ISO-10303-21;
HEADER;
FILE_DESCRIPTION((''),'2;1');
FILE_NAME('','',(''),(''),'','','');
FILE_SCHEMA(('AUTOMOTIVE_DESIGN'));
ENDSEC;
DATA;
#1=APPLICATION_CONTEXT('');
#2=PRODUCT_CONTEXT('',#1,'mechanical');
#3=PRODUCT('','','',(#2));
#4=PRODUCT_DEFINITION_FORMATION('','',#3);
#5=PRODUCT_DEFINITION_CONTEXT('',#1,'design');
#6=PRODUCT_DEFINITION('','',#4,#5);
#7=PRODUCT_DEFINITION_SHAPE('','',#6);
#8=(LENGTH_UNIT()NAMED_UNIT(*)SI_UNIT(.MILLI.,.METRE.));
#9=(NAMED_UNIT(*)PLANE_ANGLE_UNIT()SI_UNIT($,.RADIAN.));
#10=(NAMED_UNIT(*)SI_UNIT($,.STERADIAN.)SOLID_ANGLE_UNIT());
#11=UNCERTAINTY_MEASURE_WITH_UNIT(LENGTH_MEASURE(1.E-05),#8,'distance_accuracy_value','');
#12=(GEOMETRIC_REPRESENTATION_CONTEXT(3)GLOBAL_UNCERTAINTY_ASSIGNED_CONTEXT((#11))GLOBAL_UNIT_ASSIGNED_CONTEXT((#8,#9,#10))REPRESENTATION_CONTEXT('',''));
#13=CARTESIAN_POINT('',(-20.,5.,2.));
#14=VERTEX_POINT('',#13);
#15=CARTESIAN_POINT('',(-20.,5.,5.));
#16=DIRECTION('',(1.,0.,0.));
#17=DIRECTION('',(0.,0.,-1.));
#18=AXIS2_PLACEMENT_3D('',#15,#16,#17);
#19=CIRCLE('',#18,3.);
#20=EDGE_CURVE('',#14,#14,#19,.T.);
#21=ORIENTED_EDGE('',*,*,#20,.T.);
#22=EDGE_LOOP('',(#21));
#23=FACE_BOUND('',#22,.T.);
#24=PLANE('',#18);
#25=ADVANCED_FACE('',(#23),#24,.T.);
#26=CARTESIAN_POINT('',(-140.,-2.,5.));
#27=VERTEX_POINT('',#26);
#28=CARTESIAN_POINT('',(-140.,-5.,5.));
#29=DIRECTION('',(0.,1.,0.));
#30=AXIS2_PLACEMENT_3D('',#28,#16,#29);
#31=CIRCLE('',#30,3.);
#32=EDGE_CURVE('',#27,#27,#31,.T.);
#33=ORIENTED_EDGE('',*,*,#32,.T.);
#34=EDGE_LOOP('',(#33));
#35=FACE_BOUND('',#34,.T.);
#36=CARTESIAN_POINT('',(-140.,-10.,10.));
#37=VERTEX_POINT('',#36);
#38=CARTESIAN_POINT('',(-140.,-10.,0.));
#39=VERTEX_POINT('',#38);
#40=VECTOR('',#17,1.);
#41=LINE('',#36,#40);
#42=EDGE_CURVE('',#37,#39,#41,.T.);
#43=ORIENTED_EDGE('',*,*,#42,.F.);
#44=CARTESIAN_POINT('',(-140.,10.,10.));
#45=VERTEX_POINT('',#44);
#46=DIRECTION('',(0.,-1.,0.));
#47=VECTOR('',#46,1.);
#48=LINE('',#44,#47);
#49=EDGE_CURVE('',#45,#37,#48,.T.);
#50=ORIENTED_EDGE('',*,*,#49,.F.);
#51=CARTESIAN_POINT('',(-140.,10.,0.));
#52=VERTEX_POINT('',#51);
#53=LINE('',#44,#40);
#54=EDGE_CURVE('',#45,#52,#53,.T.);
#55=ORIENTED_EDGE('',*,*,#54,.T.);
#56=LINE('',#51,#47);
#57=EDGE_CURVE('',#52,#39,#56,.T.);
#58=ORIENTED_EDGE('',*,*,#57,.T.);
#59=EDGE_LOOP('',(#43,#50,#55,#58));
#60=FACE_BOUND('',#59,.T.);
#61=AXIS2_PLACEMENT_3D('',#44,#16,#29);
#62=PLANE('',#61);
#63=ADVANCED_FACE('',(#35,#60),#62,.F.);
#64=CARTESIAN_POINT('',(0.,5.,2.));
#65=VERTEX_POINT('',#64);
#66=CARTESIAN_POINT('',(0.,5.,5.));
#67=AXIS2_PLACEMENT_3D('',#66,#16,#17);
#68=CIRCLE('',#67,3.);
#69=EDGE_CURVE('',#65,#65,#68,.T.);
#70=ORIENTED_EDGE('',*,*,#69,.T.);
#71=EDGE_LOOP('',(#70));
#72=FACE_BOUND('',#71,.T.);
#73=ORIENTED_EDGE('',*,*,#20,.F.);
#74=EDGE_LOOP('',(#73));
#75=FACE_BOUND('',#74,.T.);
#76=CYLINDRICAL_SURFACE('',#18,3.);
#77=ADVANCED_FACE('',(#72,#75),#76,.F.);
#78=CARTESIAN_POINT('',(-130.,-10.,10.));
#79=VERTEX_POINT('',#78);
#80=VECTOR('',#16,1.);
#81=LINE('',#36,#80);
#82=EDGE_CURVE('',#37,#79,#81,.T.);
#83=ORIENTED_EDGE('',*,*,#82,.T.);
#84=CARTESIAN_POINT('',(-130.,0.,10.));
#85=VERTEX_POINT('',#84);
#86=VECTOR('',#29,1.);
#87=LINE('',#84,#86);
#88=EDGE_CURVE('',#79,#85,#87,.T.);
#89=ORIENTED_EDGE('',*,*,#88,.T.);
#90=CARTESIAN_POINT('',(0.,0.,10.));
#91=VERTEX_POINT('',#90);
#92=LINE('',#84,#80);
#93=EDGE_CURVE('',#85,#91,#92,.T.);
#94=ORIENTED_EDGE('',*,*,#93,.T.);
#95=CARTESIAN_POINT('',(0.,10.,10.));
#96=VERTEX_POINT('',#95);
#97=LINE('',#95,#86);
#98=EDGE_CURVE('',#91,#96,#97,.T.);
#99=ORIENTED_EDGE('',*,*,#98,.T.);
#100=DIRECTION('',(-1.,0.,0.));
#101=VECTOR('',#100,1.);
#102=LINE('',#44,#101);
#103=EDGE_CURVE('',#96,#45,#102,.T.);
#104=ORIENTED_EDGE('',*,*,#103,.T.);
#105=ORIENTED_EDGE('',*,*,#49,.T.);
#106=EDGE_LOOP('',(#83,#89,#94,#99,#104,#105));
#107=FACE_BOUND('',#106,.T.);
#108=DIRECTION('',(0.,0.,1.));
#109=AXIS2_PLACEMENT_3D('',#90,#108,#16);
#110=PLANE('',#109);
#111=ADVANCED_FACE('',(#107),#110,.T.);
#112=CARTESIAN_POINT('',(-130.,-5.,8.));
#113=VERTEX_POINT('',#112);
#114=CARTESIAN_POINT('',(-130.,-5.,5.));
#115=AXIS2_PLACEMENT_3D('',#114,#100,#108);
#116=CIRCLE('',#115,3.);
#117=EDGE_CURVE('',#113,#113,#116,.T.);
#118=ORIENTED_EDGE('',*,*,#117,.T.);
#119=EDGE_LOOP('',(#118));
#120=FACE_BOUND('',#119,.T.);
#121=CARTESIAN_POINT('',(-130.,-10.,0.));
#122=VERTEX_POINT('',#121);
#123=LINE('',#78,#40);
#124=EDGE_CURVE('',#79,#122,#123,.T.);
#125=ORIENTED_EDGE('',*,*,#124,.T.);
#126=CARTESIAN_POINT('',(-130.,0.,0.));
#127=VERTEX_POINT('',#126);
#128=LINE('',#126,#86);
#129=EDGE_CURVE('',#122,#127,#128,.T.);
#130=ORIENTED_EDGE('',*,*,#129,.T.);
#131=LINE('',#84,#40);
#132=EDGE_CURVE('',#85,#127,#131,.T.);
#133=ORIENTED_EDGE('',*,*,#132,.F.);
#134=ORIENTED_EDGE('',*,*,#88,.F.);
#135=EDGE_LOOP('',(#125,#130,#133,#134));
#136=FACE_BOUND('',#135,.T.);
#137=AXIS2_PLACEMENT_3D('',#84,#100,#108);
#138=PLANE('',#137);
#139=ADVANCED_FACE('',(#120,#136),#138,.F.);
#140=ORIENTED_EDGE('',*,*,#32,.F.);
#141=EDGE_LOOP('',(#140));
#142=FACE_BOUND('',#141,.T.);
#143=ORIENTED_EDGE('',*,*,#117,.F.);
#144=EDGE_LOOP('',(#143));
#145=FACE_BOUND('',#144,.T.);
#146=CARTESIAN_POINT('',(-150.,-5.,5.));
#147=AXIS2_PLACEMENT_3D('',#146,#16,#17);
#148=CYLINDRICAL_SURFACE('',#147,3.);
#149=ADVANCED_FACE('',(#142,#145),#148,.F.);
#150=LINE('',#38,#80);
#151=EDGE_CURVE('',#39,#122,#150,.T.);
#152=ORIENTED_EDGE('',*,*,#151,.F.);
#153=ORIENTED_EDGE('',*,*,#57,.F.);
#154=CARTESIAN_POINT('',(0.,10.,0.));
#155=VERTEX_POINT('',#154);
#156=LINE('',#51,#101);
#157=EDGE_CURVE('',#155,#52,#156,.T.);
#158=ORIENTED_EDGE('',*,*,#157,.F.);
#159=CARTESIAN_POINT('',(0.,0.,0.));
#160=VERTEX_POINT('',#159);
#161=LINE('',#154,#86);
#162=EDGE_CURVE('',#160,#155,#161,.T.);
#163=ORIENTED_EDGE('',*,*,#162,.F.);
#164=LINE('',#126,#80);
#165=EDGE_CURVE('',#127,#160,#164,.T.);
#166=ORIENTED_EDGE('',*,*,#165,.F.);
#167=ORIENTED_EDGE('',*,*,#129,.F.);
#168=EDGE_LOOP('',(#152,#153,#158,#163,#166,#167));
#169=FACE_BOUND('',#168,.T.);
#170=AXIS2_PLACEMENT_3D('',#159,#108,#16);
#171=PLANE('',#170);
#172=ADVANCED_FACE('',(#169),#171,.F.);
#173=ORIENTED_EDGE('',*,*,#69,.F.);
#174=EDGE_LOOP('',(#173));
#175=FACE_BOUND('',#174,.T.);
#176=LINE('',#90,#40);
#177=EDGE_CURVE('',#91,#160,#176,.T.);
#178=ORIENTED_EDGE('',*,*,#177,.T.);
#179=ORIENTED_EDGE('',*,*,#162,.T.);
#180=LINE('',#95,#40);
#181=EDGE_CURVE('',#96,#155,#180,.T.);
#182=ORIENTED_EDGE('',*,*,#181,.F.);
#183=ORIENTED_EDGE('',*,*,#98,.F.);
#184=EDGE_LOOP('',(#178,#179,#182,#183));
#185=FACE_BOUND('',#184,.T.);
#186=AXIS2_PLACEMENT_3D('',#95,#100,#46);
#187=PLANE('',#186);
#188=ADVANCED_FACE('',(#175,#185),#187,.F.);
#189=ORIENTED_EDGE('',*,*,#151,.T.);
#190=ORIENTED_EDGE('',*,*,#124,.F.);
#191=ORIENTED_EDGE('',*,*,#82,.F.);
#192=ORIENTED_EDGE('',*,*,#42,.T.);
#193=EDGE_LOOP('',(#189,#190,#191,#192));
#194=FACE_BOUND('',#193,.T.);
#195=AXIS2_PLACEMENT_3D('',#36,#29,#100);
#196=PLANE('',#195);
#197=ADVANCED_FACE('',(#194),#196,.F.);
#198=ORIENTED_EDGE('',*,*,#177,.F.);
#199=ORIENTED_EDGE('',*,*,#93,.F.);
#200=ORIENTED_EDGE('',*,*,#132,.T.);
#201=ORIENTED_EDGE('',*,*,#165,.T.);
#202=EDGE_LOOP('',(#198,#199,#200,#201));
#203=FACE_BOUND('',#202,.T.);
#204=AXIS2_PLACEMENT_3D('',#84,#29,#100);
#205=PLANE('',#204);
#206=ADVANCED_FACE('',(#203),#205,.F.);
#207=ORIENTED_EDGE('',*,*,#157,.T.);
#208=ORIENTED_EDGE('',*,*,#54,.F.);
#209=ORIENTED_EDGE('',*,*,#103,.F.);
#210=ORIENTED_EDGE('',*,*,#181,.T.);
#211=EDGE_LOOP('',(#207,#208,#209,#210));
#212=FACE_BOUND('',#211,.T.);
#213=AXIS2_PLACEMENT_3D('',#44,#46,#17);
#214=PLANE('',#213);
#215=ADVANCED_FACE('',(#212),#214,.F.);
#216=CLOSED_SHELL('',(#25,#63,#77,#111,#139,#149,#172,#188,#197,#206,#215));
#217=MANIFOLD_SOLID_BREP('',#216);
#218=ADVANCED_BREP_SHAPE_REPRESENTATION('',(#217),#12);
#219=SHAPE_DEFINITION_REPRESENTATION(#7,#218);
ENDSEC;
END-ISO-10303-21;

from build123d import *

# Parameters (mm, degrees)
BOSS_EXTRUDE1_DEPTH = 10
SKETCH4_R           = 3
CUT_EXTRUDE2_DEPTH  = 150
SKETCH4_3_R         = 3
CUT_EXTRUDE3_DEPTH  = 20


with BuildPart() as part:
    # Sketch1 → Boss-Extrude1 (new body)
    with BuildSketch(Plane.XY):
        Polygon((-140, 10), (0, 10), (0, 0), (-130, 0), (-130, -10), (-140, -10), align=None)
    extrude(amount=BOSS_EXTRUDE1_DEPTH)

    # Sketch4 → Cut-Extrude2 (cut)
    with BuildSketch(Plane(origin=(0, 0, 0), x_dir=(0, 0, -1), z_dir=(1, 0, 0))):
        with Locations((-5, -5)):
            Circle(SKETCH4_R)
    extrude(amount=-CUT_EXTRUDE2_DEPTH, mode=Mode.SUBTRACT)

    # Sketch4<3> → Cut-Extrude3 (cut)
    with BuildSketch(Plane(origin=(0, 0, 0), x_dir=(0, 0, -1), z_dir=(1, 0, 0))):
        with Locations((-5, 5)):
            Circle(SKETCH4_3_R)
    extrude(amount=-CUT_EXTRUDE3_DEPTH, mode=Mode.SUBTRACT)


solid = part.part
